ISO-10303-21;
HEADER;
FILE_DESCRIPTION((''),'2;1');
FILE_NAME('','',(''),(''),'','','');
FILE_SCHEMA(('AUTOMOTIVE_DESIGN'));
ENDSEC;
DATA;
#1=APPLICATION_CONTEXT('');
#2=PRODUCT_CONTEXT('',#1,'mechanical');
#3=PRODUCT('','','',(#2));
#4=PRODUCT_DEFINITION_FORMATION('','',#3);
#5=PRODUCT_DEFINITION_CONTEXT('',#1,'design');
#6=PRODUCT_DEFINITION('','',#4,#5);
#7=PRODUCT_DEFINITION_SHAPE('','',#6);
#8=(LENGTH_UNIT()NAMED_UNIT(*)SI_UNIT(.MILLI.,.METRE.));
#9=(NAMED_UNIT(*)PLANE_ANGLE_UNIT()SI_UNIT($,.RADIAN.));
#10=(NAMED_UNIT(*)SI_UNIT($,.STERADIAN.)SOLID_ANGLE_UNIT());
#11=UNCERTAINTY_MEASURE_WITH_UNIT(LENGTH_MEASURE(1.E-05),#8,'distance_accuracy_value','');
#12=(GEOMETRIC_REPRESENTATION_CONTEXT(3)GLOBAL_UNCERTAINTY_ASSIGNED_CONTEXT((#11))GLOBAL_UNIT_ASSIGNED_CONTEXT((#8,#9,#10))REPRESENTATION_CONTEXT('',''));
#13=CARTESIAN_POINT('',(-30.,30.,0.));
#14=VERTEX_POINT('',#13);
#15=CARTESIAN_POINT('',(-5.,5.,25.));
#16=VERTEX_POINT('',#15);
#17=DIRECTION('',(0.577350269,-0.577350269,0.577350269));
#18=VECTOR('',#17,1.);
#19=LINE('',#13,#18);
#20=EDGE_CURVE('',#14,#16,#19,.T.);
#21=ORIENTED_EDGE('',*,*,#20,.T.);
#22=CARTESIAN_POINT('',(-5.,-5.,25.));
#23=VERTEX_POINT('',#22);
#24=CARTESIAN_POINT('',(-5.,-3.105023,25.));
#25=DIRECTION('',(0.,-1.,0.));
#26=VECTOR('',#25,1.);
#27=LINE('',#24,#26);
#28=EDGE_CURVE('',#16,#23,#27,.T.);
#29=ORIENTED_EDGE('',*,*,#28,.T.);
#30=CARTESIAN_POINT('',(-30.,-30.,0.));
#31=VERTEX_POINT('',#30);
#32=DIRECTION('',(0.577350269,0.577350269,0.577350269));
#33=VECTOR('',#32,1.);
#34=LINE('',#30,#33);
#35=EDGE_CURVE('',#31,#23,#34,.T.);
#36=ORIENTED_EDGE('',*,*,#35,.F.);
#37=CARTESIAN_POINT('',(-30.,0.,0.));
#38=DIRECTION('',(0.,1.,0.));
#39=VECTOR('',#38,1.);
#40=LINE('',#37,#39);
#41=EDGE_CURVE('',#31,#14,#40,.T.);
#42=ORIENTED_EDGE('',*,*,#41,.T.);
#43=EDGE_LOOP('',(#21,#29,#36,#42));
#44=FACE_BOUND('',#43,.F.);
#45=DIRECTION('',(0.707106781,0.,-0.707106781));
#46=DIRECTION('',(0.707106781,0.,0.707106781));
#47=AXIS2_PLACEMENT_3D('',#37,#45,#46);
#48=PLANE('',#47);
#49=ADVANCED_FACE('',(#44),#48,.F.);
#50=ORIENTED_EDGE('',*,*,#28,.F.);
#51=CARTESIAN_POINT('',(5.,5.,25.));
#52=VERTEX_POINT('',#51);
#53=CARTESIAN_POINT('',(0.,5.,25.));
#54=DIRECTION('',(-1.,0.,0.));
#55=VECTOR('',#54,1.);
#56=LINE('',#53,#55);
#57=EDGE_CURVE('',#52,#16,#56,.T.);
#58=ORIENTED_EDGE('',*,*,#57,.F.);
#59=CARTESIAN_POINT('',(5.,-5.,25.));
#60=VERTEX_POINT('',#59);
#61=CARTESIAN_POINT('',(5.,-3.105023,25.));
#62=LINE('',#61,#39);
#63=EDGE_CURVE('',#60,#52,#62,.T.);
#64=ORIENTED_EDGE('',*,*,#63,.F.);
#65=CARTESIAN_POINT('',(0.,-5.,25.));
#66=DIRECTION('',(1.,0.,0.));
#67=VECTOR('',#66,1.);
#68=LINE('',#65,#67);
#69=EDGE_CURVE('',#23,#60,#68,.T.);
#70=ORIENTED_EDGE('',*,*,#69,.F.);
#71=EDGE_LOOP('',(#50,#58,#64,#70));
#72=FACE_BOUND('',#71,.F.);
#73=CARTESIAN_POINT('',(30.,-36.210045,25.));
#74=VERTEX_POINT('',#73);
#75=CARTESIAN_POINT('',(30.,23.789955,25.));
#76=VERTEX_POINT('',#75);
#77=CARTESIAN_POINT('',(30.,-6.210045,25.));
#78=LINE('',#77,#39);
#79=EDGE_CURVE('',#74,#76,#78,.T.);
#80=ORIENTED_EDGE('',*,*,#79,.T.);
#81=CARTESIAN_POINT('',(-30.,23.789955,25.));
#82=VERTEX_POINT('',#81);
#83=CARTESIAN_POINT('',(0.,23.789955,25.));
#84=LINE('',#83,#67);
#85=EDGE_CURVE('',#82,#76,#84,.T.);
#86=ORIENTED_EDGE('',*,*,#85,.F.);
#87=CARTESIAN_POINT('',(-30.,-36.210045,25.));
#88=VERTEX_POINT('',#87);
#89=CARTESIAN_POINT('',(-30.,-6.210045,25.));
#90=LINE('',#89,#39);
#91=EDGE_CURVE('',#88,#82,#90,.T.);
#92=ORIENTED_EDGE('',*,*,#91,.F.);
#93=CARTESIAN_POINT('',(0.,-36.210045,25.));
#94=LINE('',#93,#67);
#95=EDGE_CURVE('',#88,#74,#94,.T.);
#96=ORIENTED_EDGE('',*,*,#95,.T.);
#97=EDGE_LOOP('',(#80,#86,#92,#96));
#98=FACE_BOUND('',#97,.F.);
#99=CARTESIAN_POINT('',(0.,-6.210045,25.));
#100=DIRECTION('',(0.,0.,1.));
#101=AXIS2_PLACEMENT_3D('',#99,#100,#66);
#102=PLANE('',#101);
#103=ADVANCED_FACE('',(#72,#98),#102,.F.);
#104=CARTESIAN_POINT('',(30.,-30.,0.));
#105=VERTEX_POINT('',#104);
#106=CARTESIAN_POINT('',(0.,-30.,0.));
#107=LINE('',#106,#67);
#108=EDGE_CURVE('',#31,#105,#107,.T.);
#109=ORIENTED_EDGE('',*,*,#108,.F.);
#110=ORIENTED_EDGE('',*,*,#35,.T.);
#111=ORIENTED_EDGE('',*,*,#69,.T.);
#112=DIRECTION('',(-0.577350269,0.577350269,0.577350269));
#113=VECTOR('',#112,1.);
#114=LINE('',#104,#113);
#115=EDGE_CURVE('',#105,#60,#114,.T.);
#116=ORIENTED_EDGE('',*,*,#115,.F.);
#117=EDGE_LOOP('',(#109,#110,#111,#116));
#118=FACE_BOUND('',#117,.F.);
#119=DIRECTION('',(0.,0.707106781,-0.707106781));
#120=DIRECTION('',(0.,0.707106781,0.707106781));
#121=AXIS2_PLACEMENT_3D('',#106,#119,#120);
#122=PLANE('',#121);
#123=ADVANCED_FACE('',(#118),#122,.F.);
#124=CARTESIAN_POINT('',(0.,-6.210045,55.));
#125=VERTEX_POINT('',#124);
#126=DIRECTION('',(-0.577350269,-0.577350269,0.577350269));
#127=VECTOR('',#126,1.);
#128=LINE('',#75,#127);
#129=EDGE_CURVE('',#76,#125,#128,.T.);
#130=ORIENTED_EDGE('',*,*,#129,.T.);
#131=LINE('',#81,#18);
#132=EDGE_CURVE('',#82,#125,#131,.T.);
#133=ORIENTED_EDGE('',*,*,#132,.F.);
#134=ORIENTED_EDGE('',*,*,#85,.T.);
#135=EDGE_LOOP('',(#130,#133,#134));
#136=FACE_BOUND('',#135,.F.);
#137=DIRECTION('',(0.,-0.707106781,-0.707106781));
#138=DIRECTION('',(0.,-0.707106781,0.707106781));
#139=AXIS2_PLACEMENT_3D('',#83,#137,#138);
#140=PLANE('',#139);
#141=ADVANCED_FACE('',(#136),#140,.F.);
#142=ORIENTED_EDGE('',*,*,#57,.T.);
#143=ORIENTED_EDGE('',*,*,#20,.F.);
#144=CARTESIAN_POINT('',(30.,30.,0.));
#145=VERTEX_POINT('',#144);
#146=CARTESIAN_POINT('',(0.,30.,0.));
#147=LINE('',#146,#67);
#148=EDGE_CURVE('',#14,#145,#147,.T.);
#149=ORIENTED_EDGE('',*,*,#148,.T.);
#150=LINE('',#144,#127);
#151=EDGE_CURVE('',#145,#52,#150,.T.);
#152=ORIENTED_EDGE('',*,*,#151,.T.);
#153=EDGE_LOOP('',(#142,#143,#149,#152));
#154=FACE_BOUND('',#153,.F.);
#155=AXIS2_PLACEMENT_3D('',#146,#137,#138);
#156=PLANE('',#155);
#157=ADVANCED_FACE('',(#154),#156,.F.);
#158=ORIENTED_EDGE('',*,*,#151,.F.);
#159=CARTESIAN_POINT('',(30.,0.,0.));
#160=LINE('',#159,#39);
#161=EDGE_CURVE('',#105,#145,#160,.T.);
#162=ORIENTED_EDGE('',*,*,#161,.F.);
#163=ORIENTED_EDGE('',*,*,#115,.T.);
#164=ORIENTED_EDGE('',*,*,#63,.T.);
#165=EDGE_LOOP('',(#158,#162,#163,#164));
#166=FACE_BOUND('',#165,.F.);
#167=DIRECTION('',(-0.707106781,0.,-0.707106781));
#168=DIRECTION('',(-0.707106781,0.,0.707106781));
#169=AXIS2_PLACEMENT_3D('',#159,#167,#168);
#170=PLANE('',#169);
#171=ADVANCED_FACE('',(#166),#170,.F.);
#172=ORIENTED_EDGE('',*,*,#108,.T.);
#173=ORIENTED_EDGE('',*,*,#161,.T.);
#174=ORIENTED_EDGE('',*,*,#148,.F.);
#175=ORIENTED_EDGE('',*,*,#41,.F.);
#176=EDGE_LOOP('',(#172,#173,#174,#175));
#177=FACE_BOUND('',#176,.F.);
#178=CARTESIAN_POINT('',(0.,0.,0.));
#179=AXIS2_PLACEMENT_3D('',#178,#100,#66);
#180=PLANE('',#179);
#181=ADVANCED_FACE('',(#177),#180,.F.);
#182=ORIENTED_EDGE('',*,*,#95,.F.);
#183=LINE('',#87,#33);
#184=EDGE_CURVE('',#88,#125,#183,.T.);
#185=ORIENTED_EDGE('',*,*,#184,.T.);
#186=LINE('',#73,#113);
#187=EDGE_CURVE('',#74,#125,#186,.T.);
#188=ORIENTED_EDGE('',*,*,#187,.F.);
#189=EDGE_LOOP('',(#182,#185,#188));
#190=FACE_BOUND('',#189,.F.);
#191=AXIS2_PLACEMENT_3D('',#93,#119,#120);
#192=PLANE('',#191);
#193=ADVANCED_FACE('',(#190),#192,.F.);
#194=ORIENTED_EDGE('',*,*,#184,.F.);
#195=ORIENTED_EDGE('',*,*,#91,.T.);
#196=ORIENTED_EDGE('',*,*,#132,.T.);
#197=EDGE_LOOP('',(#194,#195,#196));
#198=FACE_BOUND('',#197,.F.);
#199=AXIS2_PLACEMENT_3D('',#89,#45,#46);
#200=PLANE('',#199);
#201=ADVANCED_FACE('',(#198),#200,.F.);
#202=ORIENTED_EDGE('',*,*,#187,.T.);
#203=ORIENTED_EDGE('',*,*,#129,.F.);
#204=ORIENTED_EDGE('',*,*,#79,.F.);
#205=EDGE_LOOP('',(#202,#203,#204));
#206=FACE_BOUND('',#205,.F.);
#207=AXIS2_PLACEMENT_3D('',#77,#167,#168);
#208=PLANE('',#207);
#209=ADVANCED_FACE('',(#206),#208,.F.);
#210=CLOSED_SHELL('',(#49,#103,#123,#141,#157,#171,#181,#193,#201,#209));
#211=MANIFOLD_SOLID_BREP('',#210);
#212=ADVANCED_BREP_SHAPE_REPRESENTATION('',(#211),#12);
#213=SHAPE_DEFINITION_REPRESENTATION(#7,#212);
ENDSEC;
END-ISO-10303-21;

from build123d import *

# Parameters (mm, degrees)
F0_W     = 60
F0_H     = 60
F1_DEPTH = 30
F1_TAPER = 45
F3_W     = 60
F3_H     = 60
F4_DEPTH = 30
F4_TAPER = 45


with BuildPart() as f1:
    # F0 (on Top) → F1 (new body)
    with BuildSketch(Plane.XY):
        Rectangle(F0_W, F0_H)
    extrude(amount=F1_DEPTH, taper=F1_TAPER)

    # F3 (on offset) → F4 (join)
    with BuildSketch(Plane.XY.offset(25)):
        with Locations((0, -6.210045305)):
            Rectangle(F3_W, F3_H)
    extrude(amount=F4_DEPTH, taper=F4_TAPER)


solid = f1.part
